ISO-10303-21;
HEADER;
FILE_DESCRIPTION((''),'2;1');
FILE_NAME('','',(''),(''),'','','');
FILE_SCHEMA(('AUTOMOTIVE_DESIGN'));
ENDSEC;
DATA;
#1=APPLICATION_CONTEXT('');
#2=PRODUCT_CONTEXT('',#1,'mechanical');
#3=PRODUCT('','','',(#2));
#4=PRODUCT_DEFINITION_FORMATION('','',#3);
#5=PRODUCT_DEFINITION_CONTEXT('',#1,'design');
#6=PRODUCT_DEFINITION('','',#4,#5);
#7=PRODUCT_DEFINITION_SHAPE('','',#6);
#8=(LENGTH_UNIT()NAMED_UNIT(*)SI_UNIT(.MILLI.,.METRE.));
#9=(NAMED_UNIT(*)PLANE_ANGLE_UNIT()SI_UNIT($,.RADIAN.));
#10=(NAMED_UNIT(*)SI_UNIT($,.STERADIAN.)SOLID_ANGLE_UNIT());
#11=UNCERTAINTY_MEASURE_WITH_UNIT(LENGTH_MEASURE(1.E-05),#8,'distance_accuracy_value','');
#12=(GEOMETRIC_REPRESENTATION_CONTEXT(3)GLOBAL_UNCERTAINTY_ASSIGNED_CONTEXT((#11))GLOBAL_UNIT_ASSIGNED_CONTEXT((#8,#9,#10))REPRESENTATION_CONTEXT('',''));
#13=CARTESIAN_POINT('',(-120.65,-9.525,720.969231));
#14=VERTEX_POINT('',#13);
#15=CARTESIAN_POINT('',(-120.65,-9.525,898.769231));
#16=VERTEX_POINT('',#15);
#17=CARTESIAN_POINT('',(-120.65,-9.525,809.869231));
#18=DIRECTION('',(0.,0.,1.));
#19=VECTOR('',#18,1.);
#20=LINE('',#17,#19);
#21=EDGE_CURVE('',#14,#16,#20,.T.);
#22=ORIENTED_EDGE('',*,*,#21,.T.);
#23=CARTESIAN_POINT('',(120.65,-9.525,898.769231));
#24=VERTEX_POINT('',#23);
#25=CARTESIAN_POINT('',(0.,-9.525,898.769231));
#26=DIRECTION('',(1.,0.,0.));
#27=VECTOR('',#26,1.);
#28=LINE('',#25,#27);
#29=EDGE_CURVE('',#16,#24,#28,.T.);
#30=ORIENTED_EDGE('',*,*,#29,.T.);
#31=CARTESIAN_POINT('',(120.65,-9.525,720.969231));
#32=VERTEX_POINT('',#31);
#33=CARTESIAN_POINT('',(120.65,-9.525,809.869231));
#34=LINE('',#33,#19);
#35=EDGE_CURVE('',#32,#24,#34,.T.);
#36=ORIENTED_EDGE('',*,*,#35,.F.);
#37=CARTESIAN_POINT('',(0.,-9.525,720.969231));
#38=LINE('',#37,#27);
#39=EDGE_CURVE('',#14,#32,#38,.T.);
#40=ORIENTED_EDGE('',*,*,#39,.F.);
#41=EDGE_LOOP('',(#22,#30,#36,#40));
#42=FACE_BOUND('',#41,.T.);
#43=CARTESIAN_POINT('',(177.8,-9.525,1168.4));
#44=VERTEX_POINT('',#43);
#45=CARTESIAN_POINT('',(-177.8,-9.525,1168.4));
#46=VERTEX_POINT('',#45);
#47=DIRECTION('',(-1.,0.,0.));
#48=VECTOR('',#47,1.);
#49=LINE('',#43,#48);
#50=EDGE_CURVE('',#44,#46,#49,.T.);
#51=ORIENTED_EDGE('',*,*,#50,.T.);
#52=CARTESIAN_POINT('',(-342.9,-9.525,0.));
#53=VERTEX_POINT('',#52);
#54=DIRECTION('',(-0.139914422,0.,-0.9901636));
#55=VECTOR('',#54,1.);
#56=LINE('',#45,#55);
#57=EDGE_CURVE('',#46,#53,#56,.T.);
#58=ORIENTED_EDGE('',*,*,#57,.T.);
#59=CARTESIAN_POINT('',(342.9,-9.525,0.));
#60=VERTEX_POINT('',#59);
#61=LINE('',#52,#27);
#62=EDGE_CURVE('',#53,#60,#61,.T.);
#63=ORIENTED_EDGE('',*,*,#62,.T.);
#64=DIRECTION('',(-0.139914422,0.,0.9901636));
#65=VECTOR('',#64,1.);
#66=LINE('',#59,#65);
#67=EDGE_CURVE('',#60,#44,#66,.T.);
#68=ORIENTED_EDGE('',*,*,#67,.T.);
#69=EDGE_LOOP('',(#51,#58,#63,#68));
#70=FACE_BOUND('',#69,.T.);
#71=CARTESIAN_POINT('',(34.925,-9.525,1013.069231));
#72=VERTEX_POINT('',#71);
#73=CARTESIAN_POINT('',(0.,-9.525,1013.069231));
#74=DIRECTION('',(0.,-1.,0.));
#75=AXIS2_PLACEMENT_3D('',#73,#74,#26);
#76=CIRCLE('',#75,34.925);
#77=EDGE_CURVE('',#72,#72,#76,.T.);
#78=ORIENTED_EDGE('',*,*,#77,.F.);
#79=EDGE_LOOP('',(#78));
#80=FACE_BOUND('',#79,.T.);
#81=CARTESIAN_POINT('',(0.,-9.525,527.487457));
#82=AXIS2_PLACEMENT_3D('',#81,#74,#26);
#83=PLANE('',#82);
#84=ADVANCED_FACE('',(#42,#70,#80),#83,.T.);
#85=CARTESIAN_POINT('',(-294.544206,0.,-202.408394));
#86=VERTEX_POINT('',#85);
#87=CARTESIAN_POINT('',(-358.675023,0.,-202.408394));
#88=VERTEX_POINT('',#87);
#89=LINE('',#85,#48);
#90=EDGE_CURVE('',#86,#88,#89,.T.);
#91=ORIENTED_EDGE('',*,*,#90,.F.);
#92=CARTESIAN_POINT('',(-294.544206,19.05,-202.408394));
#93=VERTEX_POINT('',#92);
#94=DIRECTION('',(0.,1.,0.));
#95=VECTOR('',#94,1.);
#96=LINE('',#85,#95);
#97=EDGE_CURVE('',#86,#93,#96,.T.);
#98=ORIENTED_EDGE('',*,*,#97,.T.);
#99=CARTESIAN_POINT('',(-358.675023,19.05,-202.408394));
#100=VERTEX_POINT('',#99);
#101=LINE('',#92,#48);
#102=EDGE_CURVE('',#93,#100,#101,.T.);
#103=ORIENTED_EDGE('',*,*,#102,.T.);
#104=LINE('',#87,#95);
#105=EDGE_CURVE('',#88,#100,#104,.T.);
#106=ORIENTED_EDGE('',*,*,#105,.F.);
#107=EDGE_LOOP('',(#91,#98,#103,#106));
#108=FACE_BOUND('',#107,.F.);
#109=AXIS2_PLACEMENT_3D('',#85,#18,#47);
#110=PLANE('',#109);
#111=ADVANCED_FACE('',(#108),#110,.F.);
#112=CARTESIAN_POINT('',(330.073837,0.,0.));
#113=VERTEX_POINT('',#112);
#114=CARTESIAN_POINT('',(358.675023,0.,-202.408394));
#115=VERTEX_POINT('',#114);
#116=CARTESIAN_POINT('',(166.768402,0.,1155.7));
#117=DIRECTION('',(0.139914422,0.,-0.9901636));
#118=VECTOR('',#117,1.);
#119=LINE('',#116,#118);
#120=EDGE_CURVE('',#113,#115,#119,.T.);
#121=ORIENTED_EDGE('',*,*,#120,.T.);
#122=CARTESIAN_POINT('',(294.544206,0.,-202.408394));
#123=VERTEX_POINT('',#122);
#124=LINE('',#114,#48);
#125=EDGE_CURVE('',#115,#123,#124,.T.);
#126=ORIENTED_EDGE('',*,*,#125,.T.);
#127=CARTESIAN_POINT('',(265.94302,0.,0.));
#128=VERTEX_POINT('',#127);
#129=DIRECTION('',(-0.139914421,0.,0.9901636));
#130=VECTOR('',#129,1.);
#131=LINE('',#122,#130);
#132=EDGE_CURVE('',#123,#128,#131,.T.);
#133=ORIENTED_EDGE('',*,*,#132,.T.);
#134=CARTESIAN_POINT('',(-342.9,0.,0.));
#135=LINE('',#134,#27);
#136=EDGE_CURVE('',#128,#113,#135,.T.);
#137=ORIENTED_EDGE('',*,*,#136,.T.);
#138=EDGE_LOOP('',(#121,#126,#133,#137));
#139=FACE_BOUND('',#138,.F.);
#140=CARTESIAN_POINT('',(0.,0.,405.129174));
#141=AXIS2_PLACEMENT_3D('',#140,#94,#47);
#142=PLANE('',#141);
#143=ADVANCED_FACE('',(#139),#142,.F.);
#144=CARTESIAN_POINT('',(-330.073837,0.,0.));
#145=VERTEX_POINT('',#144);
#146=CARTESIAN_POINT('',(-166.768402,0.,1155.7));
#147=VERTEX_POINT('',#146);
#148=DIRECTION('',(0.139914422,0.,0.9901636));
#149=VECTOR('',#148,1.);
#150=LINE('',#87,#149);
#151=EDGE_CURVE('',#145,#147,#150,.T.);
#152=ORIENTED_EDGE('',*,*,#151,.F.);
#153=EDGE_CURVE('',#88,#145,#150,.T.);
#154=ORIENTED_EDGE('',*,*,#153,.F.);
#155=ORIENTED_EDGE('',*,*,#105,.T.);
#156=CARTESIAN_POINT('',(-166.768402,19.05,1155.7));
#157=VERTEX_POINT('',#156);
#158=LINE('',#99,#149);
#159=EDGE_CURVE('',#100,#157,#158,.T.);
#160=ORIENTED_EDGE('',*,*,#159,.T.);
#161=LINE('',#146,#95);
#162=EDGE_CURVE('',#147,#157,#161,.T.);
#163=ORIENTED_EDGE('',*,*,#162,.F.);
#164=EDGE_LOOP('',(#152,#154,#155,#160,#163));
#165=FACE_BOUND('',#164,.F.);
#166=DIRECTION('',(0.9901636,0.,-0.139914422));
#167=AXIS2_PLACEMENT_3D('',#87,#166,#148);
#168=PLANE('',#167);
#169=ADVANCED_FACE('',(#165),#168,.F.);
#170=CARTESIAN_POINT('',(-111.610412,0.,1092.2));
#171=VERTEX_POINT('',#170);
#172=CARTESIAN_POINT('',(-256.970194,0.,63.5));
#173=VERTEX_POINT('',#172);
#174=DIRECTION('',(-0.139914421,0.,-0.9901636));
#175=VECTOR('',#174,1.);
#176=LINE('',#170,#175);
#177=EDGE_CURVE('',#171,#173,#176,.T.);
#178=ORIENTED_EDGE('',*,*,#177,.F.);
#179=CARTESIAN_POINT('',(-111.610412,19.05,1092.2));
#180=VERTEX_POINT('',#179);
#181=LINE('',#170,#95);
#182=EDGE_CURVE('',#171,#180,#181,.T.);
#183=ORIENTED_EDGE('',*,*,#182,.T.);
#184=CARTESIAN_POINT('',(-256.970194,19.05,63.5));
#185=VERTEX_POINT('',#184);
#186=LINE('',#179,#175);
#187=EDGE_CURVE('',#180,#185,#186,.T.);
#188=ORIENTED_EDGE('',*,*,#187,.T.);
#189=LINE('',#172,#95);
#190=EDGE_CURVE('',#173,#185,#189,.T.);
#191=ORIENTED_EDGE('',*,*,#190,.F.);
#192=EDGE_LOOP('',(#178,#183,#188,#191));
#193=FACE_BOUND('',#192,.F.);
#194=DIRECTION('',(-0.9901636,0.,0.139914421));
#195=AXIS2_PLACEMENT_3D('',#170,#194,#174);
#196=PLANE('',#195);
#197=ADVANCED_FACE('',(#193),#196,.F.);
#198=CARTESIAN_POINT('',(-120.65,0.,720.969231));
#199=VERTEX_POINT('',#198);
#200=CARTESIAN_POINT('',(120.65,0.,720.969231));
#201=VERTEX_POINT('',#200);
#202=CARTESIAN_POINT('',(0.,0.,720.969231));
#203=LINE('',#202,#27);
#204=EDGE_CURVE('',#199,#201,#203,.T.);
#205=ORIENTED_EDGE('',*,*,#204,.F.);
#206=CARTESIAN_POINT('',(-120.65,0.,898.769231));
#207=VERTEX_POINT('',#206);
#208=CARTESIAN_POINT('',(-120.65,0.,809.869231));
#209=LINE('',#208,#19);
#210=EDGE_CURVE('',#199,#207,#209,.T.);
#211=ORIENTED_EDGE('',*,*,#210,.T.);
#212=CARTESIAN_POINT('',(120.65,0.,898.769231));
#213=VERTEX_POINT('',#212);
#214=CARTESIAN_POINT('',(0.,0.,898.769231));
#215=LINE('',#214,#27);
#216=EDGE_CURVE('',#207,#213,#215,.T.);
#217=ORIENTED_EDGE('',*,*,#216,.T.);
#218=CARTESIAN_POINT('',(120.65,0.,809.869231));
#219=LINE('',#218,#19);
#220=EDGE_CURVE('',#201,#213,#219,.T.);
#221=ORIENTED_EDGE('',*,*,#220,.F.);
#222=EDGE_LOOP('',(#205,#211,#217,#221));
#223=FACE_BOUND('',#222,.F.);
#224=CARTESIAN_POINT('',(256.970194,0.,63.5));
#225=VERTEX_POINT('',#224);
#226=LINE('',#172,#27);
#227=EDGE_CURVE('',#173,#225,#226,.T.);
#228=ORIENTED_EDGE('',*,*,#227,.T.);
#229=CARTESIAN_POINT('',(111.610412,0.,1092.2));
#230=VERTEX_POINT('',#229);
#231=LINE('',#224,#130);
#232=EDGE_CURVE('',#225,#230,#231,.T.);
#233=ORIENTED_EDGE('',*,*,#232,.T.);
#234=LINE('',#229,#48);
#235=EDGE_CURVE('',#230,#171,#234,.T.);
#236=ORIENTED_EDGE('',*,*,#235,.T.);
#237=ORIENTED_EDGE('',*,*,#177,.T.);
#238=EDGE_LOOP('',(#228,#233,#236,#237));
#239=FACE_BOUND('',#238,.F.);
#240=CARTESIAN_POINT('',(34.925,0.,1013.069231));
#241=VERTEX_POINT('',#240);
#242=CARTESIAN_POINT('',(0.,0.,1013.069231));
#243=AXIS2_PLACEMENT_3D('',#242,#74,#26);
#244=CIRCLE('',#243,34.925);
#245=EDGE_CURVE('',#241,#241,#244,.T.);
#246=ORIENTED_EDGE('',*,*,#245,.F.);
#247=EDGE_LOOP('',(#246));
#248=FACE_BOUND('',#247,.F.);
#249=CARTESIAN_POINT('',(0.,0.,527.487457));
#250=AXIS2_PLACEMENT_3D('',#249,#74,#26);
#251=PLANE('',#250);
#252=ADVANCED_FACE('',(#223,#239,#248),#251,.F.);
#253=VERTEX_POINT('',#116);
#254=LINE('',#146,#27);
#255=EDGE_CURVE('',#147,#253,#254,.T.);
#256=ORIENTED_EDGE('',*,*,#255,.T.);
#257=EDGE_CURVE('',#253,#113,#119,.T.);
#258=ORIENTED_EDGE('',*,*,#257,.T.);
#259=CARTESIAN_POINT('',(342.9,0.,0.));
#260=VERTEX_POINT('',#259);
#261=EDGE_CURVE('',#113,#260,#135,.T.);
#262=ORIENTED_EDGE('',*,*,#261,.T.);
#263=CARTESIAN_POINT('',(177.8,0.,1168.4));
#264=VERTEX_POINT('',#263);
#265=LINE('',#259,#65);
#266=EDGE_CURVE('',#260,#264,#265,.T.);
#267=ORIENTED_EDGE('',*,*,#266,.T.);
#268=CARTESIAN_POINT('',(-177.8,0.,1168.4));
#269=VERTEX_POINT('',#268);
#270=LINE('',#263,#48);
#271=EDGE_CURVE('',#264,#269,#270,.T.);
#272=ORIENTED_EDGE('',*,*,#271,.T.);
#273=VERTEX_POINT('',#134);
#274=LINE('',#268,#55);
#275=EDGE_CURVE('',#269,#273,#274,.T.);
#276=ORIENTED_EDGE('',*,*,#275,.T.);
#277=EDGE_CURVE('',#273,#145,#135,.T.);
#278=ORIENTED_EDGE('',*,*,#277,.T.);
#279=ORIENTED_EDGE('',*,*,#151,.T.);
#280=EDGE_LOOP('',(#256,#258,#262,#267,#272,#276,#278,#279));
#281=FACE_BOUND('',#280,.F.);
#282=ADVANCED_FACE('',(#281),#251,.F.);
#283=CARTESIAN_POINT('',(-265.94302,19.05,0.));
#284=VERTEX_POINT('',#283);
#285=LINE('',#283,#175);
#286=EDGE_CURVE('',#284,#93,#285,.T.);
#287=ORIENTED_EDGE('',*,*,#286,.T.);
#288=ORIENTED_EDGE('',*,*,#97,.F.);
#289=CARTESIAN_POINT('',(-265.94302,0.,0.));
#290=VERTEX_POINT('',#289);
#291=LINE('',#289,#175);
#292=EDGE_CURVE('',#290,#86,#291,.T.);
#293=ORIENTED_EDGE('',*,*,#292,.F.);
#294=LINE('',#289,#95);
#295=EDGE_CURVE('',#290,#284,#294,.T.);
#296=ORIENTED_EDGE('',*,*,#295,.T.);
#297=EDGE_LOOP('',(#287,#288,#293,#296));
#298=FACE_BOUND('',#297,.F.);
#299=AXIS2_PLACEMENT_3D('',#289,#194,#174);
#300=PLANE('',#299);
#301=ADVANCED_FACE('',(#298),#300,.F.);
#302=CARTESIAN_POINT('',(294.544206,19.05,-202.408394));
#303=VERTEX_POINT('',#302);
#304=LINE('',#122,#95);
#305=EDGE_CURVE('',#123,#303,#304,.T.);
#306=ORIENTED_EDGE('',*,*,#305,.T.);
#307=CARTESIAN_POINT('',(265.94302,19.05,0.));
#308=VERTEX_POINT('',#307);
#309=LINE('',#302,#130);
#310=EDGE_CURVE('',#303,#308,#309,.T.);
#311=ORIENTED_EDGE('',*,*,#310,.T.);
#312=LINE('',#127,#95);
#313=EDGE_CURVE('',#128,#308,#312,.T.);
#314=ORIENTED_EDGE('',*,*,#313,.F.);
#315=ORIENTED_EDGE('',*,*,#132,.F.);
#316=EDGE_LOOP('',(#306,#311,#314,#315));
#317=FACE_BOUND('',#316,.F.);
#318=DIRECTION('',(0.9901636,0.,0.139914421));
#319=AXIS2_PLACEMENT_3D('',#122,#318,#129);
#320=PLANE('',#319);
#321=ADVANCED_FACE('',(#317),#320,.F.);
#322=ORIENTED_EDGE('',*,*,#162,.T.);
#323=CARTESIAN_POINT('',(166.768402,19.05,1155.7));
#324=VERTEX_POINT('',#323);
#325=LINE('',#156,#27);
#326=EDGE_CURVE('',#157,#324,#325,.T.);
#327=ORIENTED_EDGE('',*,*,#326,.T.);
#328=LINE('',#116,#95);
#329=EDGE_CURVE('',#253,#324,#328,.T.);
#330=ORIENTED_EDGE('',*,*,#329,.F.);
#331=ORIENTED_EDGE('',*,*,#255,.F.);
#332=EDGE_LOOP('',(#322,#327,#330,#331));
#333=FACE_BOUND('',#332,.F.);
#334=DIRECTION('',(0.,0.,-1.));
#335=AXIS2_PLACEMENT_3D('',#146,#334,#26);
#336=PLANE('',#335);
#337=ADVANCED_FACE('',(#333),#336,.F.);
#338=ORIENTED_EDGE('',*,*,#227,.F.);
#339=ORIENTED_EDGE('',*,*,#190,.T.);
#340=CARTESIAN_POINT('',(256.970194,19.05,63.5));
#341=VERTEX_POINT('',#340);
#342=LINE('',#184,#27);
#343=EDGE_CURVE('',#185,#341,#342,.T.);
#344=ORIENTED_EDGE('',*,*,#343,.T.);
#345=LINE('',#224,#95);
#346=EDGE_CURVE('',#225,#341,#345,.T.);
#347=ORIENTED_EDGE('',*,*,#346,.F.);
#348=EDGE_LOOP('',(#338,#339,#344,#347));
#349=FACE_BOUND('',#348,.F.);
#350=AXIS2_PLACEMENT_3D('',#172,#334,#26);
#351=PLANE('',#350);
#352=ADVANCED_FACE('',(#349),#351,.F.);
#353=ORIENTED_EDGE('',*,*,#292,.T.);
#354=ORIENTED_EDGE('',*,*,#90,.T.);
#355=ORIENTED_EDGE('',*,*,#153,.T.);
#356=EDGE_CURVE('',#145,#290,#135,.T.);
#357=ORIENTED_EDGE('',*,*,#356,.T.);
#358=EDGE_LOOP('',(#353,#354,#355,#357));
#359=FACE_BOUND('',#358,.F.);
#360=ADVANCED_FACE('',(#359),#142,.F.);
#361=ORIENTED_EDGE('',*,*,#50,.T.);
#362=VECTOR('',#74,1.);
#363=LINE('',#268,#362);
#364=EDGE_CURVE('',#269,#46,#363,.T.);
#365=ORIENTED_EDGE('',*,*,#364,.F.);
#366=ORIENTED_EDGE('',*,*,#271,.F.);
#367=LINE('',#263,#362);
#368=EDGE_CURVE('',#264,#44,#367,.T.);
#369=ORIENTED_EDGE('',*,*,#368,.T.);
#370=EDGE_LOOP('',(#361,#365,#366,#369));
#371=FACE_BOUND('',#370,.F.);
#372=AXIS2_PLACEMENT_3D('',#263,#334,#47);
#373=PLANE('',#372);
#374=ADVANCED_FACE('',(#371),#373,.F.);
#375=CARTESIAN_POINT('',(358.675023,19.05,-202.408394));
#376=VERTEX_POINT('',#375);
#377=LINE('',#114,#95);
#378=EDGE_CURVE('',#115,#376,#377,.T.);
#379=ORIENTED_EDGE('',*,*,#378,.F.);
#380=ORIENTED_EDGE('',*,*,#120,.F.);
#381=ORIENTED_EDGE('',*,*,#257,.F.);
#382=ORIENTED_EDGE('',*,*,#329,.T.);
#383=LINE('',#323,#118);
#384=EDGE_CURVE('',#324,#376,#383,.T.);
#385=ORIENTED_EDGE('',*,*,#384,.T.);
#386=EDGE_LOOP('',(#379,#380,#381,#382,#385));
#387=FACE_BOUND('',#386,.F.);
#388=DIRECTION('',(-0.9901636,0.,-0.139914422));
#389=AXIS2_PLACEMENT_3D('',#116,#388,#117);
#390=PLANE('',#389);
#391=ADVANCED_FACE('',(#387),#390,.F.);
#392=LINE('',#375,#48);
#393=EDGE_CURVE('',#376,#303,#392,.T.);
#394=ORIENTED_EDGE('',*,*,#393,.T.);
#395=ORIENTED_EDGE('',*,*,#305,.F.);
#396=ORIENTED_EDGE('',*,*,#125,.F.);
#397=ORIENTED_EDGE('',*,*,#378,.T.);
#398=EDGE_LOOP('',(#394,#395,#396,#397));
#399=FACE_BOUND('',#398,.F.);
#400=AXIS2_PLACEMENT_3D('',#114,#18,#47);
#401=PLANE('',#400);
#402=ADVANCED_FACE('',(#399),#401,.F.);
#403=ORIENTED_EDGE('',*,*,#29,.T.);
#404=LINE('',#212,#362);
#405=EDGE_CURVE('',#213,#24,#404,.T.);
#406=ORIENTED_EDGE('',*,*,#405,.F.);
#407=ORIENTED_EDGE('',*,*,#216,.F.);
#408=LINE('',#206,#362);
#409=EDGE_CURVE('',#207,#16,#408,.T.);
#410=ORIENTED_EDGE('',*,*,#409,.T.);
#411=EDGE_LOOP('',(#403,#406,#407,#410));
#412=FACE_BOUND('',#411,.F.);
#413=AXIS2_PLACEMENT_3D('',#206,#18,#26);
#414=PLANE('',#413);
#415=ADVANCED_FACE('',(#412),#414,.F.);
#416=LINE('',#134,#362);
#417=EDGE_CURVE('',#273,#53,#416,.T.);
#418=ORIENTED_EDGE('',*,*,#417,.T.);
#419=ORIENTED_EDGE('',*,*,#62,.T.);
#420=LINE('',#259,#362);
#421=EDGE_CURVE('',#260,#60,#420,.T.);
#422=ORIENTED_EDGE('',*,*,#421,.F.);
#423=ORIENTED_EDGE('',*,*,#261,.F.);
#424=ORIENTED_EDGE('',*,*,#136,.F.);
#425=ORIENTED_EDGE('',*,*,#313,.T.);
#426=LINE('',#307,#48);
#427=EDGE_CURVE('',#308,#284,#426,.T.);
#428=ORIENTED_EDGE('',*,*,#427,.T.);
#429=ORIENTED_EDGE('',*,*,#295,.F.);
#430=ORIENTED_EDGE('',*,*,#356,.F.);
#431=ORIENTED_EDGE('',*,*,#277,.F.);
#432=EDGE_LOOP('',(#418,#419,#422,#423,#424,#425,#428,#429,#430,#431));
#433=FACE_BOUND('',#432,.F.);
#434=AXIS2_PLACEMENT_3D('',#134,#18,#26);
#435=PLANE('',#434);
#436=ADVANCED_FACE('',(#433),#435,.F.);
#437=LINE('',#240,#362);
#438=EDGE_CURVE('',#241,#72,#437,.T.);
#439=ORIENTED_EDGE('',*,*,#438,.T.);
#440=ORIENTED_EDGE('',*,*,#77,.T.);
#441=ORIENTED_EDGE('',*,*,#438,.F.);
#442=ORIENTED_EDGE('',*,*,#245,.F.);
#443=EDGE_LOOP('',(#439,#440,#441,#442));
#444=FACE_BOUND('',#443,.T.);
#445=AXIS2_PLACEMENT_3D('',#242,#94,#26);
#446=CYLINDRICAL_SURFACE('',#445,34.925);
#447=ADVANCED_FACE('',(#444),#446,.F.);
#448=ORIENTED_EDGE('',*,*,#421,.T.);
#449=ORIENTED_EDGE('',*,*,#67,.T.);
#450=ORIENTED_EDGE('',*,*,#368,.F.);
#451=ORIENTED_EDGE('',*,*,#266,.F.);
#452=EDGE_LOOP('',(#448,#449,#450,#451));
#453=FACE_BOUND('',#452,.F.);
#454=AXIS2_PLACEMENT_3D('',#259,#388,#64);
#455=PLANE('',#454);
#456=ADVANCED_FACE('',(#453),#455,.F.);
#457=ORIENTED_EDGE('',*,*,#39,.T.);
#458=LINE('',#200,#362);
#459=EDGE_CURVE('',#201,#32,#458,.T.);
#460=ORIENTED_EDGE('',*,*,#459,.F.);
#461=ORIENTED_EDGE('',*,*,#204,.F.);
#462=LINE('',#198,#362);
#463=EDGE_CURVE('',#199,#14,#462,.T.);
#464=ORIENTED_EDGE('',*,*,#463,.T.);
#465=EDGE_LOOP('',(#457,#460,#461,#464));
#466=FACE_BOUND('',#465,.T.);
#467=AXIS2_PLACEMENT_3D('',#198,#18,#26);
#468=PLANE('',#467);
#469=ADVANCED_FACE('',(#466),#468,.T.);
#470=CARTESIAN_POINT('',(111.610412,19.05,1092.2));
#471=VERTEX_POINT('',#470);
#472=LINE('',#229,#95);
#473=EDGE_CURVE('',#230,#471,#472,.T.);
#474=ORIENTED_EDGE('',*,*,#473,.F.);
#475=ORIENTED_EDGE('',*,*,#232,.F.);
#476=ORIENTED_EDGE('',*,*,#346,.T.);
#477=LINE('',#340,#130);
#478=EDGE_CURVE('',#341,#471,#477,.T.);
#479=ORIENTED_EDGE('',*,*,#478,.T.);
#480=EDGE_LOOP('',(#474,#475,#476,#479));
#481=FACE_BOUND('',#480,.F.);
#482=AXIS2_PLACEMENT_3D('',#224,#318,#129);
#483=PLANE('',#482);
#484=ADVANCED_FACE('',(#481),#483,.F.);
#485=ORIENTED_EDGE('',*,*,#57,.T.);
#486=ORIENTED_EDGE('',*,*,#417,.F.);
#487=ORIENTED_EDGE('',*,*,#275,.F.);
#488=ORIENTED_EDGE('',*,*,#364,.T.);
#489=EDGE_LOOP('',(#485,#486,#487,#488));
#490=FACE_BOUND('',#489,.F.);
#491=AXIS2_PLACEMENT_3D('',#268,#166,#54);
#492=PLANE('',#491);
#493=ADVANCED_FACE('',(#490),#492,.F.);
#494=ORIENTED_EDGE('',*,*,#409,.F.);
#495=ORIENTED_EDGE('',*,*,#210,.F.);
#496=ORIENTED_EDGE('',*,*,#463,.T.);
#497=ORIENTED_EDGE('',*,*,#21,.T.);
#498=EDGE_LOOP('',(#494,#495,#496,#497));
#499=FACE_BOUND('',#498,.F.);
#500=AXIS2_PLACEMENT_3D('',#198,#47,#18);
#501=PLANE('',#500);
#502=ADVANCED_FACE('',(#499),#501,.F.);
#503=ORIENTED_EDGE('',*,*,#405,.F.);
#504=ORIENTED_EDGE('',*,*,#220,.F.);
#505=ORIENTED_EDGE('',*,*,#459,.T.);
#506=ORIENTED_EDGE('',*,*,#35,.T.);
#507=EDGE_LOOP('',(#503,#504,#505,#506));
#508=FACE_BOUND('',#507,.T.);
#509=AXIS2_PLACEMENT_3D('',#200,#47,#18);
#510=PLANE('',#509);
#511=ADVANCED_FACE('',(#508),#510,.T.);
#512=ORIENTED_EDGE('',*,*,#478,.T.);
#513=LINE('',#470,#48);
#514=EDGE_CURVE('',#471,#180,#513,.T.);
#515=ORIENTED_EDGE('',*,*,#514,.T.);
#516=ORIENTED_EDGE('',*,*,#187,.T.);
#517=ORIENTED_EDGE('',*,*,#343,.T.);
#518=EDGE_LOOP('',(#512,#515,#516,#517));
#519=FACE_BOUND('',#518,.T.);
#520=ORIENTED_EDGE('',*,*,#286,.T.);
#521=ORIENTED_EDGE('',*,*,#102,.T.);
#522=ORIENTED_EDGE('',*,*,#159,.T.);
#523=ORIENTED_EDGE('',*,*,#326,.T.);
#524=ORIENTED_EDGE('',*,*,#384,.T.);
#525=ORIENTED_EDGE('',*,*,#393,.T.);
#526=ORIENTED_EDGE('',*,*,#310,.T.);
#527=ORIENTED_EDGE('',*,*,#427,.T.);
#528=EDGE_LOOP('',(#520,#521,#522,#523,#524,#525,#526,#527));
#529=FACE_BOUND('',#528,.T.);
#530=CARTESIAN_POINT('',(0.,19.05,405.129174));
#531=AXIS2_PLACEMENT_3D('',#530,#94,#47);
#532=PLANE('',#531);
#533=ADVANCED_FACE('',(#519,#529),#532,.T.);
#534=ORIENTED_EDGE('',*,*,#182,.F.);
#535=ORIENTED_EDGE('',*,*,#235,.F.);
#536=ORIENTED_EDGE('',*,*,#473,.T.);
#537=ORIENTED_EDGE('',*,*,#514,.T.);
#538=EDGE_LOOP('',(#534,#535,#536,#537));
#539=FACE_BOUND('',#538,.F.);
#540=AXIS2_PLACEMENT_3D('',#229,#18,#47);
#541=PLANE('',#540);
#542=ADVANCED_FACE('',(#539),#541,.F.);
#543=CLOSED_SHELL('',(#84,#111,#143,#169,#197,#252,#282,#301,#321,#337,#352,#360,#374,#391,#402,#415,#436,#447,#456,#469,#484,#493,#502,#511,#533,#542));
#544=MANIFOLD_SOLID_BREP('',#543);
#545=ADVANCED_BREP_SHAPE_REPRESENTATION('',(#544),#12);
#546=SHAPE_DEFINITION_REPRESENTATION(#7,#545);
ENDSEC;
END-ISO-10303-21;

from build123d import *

# Parameters (mm, degrees)
F0_W     = 241.3
F0_H     = 177.8
F0_R     = 34.925
F1_DEPTH = 9.525
F3_DEPTH = 19.05


with BuildPart() as f1:
    # F0 (on Front) → F1 (new body)
    with BuildSketch(Plane.XZ):
        Polygon((-177.8, 1168.4), (-342.9, 0), (342.9, 0), (177.8, 1168.4), align=None)
        with Locations((0, 809.869231)):
            Rectangle(F0_W, F0_H, mode=Mode.SUBTRACT)
        with Locations((0, 1013.069231)):
            Circle(F0_R, mode=Mode.SUBTRACT)
    extrude(amount=F1_DEPTH)

    # F2 (on face) → F3 (join)
    with BuildSketch(Plane(origin=(0, 0, 0), x_dir=(-1, 0, 0), z_dir=(0, 1, 0))):
        Polygon((-166.768402, 1155.7), (-358.675023, -202.408394), (-294.544206, -202.408394), (-265.94302, 0), (265.94302, 0), (294.544206, -202.408394), (358.675023, -202.408394), (166.768402, 1155.7), (111.610412, 1092.2), (256.970194, 63.5), (-256.970194, 63.5), (-111.610412, 1092.2), align=None)
        Polygon((166.768402, 1155.7), (-166.768402, 1155.7), (-111.610412, 1092.2), (111.610412, 1092.2), align=None)
    extrude(amount=F3_DEPTH)


solid = f1.part
